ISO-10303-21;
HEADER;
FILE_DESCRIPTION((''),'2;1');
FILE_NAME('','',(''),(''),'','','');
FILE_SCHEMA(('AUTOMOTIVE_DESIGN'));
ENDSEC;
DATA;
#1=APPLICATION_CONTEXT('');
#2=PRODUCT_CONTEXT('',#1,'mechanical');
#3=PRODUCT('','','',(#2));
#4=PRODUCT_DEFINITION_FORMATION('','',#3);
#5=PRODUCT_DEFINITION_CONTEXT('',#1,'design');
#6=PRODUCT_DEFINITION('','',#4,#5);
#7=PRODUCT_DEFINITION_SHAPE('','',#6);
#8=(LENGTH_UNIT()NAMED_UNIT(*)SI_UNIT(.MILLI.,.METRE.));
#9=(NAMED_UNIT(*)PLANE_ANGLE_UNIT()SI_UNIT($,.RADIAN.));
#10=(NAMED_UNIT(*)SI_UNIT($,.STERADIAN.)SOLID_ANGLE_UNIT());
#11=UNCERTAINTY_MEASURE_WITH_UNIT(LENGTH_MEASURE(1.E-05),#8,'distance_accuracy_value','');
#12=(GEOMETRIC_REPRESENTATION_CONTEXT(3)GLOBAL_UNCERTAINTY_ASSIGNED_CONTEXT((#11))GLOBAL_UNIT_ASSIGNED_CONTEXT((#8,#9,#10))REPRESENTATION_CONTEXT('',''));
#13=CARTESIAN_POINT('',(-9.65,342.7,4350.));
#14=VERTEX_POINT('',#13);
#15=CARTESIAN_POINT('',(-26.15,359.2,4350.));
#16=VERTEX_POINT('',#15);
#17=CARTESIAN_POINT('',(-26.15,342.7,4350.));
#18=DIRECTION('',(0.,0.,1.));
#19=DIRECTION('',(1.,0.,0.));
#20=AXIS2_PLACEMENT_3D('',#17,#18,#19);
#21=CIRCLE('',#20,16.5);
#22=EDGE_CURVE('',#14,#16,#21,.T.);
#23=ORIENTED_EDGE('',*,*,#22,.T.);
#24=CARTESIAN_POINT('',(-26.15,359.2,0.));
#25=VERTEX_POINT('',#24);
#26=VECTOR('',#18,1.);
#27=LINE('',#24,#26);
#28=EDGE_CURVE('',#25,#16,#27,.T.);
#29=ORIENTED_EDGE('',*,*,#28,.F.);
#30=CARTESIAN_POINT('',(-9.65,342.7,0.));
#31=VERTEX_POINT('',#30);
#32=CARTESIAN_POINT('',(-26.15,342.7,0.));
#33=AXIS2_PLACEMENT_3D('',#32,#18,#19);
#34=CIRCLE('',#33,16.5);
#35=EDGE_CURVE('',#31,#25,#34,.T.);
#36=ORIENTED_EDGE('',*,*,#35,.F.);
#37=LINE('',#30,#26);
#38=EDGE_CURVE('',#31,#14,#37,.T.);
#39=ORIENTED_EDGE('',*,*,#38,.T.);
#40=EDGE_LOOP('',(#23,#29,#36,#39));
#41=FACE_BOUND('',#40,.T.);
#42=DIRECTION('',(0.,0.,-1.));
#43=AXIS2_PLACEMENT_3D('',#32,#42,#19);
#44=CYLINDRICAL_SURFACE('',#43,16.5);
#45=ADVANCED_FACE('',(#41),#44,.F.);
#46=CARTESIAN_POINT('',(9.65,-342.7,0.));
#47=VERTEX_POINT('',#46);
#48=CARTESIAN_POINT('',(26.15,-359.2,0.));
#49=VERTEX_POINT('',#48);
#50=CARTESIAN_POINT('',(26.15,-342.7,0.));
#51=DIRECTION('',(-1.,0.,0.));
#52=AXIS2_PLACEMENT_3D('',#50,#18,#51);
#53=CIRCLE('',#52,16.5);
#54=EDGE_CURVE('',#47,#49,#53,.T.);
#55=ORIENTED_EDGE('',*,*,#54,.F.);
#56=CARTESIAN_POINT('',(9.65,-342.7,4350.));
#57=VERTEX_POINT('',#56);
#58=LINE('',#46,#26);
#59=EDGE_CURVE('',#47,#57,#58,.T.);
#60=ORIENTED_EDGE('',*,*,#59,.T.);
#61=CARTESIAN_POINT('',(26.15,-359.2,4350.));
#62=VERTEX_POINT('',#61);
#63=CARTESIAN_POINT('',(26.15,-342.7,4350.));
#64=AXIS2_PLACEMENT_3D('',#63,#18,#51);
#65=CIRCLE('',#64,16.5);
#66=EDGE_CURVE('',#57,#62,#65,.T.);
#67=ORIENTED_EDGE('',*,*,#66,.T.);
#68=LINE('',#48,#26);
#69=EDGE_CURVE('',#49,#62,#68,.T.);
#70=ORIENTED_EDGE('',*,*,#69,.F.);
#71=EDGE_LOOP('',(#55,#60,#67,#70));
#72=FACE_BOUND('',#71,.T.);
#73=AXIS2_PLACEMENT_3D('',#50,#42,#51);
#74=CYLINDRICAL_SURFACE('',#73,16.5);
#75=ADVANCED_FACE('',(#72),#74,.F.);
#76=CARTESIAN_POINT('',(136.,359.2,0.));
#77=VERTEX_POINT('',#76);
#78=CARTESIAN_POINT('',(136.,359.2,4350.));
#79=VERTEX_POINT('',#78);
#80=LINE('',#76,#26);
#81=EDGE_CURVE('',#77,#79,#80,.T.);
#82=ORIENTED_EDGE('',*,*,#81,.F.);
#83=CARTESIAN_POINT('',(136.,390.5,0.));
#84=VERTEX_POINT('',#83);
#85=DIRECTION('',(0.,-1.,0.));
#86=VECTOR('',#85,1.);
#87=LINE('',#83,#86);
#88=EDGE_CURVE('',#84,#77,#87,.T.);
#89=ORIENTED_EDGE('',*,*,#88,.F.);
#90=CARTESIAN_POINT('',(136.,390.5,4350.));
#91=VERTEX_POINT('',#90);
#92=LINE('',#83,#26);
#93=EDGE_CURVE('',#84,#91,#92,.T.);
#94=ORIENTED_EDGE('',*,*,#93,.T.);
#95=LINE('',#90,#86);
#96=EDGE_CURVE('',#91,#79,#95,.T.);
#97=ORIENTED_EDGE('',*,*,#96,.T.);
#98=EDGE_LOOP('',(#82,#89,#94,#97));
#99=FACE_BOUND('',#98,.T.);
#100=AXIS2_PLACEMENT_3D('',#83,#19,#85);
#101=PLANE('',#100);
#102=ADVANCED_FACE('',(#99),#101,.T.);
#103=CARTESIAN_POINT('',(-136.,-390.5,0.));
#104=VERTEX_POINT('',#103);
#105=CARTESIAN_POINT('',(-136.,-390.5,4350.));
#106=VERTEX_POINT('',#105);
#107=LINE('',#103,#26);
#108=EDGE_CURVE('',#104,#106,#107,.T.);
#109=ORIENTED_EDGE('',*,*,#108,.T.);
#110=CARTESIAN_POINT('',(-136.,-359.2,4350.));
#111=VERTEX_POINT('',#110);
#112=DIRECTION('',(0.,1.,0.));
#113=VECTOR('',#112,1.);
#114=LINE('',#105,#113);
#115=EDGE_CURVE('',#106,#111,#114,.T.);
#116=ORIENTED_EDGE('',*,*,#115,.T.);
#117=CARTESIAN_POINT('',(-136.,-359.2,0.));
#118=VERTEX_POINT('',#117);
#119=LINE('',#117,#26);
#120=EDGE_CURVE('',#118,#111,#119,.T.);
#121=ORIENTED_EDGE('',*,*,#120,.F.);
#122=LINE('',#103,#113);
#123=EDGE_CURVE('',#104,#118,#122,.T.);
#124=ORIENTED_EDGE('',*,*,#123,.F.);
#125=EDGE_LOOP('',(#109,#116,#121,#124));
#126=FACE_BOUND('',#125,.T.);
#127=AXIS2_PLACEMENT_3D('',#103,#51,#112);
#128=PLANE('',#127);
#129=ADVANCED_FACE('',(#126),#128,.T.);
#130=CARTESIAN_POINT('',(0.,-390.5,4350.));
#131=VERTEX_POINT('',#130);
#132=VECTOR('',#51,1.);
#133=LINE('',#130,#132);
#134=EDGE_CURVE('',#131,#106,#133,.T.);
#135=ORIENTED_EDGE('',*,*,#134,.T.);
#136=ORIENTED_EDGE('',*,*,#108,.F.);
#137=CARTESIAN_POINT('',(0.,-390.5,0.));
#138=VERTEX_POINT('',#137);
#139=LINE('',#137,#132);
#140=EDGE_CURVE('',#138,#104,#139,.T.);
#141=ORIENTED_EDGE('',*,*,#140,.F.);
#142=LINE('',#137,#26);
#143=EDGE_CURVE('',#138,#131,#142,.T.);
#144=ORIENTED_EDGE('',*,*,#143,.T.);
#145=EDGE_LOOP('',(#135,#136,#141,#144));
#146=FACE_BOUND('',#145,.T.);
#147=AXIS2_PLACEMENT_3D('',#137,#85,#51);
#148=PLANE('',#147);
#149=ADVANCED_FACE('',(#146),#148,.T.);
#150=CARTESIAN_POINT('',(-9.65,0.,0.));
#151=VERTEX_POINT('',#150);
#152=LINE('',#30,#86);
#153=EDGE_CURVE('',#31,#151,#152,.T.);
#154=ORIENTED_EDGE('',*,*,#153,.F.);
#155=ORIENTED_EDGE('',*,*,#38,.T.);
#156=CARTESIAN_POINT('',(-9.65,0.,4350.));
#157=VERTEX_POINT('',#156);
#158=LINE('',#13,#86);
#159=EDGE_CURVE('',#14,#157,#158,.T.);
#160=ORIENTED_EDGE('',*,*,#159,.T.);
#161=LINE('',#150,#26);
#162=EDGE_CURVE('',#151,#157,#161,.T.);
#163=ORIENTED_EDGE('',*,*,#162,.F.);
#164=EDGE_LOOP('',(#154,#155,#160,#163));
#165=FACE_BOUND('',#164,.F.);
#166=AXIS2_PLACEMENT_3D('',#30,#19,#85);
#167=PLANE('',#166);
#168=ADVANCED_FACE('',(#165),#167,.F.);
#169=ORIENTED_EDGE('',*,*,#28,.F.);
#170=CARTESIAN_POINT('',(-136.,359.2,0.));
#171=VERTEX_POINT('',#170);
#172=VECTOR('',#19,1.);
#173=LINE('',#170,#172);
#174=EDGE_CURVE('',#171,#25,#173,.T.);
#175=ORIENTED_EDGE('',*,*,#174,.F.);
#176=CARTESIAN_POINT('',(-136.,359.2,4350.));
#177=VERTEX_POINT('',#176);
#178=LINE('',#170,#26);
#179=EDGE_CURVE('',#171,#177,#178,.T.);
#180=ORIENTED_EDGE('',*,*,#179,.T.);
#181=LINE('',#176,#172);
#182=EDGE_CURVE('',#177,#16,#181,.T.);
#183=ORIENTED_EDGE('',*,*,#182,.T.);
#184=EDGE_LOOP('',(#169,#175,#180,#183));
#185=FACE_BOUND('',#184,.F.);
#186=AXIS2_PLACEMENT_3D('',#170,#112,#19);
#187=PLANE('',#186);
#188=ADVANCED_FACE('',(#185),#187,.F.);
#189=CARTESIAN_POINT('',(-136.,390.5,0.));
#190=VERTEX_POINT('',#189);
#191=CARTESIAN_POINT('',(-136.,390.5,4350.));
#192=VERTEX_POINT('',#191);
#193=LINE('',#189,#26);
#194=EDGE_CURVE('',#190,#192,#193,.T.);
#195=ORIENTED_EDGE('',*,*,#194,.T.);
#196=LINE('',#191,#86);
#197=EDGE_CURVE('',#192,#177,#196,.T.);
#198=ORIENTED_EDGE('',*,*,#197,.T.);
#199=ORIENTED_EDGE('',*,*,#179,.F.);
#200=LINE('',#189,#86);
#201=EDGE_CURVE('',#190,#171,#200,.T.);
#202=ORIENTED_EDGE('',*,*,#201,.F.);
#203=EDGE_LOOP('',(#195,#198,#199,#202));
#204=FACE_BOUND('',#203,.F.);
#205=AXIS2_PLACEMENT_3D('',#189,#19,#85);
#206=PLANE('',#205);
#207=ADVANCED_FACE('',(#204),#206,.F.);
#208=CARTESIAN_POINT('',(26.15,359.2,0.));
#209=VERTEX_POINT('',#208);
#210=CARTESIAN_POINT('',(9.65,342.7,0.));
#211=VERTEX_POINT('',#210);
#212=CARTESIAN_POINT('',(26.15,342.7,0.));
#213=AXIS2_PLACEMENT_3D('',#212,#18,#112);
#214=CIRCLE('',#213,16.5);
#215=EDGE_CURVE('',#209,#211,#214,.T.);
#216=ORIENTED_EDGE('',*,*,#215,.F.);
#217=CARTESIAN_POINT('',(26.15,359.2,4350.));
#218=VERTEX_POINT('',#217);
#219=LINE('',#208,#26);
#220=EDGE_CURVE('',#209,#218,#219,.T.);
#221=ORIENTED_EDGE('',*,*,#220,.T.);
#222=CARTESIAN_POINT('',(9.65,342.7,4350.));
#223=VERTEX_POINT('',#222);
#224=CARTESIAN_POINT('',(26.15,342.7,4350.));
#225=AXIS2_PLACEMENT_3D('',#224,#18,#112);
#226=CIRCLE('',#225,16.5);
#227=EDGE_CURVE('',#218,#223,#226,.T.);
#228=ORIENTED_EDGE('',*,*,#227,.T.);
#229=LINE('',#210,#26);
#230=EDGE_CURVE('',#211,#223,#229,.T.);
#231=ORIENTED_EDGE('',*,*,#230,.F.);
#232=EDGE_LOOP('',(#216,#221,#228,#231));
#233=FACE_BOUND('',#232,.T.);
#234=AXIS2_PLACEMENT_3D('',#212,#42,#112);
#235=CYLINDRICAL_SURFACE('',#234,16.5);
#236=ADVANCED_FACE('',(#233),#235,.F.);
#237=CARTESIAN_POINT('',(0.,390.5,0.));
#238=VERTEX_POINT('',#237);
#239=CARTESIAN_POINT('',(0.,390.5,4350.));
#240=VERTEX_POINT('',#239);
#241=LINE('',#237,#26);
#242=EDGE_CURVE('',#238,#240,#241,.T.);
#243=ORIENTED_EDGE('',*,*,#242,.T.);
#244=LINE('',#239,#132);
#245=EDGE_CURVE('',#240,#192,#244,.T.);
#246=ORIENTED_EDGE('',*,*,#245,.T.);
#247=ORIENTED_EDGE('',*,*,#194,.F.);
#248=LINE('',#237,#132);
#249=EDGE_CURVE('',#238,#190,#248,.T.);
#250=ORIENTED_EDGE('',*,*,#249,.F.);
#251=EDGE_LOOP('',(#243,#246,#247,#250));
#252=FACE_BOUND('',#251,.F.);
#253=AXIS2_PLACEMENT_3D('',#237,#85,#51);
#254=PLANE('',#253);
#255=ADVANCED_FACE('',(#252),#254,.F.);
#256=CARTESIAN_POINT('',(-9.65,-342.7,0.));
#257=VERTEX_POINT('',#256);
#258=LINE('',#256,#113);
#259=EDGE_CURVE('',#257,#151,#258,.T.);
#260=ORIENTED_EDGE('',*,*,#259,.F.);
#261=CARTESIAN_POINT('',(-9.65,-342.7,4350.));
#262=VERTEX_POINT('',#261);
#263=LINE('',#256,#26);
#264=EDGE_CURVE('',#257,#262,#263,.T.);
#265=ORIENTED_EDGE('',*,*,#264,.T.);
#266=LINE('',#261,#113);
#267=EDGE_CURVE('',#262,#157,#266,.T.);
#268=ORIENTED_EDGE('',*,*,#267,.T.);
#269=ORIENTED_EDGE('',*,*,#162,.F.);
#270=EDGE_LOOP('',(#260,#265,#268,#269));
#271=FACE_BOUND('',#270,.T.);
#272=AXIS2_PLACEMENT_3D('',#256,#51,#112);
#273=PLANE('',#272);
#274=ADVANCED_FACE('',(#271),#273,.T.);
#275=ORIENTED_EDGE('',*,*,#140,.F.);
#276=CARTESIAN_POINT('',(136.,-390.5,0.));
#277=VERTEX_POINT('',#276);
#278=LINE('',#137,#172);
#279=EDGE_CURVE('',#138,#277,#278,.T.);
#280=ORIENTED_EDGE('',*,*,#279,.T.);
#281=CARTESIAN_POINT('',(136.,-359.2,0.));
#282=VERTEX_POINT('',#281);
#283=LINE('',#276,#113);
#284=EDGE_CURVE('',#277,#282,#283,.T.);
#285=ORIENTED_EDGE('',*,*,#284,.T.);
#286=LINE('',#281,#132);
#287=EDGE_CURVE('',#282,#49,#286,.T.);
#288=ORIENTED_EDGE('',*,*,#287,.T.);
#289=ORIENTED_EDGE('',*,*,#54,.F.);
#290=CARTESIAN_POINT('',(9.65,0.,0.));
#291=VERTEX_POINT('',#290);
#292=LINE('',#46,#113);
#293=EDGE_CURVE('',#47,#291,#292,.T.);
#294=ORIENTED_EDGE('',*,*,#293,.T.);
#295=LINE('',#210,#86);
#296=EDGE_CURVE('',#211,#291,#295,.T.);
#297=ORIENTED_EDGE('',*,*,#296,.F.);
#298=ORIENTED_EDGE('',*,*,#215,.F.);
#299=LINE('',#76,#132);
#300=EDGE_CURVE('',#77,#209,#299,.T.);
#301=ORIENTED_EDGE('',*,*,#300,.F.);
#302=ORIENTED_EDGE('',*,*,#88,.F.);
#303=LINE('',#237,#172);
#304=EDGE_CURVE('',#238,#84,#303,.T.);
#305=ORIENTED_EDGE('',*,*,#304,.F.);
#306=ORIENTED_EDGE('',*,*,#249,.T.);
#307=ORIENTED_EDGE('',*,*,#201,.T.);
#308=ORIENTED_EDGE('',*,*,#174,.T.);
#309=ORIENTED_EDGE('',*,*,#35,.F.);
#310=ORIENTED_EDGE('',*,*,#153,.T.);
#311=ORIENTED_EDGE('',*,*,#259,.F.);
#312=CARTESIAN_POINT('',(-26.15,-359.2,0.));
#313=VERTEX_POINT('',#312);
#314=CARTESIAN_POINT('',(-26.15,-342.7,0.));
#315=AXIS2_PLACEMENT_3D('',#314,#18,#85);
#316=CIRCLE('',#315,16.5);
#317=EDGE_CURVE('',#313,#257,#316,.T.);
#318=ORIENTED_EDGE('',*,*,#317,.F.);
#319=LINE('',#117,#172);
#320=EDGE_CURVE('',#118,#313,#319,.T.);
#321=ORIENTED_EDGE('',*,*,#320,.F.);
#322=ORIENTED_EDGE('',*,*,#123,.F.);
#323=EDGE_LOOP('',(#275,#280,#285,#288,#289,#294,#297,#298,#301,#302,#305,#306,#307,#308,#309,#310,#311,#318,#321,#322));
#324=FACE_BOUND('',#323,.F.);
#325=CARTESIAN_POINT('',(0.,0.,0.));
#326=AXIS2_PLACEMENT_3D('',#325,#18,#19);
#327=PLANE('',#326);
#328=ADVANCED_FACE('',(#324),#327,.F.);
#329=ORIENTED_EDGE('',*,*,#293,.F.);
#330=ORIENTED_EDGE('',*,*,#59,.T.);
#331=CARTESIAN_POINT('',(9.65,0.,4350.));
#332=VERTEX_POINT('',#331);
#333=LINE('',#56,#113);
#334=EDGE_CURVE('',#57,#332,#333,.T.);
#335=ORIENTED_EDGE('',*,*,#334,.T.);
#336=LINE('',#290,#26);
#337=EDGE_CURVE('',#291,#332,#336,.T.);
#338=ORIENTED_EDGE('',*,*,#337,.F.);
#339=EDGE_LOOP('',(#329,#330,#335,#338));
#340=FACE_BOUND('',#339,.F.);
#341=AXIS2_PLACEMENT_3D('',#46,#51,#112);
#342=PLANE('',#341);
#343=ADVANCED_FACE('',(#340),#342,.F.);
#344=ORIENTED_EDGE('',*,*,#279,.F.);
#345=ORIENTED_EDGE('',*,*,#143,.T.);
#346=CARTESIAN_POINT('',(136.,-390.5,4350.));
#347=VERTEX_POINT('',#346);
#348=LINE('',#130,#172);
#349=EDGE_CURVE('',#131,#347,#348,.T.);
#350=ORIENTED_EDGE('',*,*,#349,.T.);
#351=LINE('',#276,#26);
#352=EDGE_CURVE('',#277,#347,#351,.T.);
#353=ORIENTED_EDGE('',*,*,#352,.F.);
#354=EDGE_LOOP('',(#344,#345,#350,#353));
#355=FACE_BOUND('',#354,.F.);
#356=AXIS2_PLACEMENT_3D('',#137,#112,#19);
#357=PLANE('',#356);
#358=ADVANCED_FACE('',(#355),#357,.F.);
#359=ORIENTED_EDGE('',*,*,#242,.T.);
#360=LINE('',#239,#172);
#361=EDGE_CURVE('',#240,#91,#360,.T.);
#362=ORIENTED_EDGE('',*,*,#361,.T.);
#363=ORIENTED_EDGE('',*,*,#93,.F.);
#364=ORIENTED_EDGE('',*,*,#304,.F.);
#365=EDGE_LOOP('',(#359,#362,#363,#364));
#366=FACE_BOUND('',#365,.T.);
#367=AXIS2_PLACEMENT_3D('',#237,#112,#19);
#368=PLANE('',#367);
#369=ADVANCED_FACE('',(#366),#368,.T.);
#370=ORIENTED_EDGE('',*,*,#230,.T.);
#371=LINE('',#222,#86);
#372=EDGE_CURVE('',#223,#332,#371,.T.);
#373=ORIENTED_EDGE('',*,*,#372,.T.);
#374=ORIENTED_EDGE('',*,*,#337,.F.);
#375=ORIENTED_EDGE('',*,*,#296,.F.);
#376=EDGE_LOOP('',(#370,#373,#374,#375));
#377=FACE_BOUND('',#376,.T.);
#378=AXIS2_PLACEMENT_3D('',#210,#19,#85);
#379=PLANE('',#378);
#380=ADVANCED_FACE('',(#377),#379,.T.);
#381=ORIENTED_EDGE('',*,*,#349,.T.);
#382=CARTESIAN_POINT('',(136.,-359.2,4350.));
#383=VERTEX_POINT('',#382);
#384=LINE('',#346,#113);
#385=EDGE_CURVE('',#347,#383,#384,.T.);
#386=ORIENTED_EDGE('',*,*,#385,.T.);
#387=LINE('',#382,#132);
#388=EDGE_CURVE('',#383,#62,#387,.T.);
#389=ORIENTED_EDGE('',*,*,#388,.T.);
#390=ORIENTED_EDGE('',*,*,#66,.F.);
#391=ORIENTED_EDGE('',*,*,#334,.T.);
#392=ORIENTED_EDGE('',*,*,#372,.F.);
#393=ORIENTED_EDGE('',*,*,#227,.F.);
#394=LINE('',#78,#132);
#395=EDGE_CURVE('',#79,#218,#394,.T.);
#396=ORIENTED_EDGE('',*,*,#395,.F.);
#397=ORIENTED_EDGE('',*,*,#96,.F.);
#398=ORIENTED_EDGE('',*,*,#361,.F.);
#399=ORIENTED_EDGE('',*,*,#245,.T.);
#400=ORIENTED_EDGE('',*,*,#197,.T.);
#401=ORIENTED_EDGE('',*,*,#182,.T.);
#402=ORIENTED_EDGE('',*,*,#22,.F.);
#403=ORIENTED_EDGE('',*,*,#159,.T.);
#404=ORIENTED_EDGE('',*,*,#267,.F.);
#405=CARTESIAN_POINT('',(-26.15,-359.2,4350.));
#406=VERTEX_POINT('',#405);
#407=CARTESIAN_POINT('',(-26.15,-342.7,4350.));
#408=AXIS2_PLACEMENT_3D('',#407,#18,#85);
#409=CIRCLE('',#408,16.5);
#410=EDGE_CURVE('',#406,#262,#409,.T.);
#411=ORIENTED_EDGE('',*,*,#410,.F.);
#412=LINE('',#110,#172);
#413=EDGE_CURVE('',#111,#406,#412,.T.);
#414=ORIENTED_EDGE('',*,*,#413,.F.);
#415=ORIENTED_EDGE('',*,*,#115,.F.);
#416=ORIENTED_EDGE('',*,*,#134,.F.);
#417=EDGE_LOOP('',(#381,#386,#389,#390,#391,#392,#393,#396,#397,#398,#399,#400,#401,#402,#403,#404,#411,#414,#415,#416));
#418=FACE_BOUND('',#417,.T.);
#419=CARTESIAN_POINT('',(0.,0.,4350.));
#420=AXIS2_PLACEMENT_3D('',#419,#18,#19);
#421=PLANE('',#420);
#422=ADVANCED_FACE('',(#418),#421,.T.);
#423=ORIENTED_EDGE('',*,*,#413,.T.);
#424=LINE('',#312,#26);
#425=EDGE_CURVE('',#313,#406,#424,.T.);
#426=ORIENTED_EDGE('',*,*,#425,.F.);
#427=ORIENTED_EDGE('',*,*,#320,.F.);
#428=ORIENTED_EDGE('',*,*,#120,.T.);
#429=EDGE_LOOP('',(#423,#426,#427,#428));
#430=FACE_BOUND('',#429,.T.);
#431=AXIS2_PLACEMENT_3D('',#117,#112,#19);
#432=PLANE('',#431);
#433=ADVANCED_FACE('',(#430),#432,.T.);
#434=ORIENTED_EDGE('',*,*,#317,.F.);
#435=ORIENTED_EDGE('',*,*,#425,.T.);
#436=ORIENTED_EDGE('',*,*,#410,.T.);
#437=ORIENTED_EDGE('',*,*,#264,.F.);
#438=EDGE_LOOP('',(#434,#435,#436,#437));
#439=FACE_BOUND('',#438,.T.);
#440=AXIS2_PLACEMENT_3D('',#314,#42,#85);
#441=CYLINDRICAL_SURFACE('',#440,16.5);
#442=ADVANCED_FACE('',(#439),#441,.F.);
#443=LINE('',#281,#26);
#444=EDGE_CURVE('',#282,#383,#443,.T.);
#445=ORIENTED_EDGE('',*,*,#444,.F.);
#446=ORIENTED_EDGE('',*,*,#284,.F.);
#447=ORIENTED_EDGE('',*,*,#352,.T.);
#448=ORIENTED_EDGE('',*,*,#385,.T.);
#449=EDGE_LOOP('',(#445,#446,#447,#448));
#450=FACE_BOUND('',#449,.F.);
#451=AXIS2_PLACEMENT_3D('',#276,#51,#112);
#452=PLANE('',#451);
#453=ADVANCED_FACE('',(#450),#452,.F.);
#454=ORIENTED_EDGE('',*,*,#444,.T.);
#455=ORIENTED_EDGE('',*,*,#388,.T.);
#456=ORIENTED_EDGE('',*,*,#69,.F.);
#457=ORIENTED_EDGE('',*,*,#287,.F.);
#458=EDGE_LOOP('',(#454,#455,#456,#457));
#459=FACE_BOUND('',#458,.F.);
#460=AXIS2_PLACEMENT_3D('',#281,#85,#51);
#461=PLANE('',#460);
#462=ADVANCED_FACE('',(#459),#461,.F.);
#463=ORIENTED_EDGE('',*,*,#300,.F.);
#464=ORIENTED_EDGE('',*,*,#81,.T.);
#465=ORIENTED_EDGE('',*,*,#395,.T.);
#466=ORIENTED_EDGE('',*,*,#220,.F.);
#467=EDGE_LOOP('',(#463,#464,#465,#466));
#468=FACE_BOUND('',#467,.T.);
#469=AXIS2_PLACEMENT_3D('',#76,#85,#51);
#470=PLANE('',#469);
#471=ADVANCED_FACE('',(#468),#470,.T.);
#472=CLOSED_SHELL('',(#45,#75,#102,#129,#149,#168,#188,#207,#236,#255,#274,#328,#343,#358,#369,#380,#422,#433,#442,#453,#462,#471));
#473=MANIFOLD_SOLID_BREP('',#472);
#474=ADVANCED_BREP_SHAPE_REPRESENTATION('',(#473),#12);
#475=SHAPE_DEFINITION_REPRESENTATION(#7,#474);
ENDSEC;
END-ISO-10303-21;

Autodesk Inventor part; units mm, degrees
ref_plane "YZ Plane" through (0, 0, 0) normal (1, 0, 0) x (0, 1, 0)
ref_plane "Start plane" through (0, 0, 0) normal (0, 0, 1) x (1, 0, 0)
ref_plane "End plane" through (0, 0, 4350) normal (0, 0, 1) x (1, 0, 0)
sketch "Sketch" plane through (0, 0, 0) normal (0, 0, 1) x (1, 0, 0)
  line L0 (-136, -390.5) -> (-136, -359.2)
  line L1 (-136, -359.2) -> (-26.15, -359.2)
  line L2 (-9.65, -342.7) -> (-9.65, 0)
  line L3 (-9.65, 0) -> (0, 0) construction
  line L4 (0, 0) -> (0, -390.5) construction
  line L5 (0, -390.5) -> (-136, -390.5)
  line L6 (-60, 0) -> (80, 0) construction
  line L7 (0, -60) -> (0, 80) construction
  line L8 (136, -390.5) -> (136, -359.2)
  line L9 (136, -359.2) -> (26.15, -359.2)
  line L10 (9.65, -342.7) -> (9.65, 0)
  line L11 (9.65, 0) -> (0, 0) construction
  line L12 (0, -390.5) -> (136, -390.5)
  line L13 (-136, 390.5) -> (-136, 359.2)
  line L14 (-136, 359.2) -> (-26.15, 359.2)
  line L15 (-9.65, 342.7) -> (-9.65, 0)
  line L16 (0, 390.5) -> (-136, 390.5)
  line L17 (136, 390.5) -> (136, 359.2)
  line L18 (136, 359.2) -> (26.15, 359.2)
  line L19 (0, 390.5) -> (136, 390.5)
  line L20 (9.65, 342.7) -> (9.65, 0)
  arc A0 (-9.65, 342.7) -> (-26.15, 359.2) centre (-26.15, 342.7) ccw
  arc A1 (26.15, 359.2) -> (9.65, 342.7) centre (26.15, 342.7) ccw
  arc A2 (9.65, -342.7) -> (26.15, -359.2) centre (26.15, -342.7) ccw
  arc A3 (-26.15, -359.2) -> (-9.65, -342.7) centre (-26.15, -342.7) ccw
  line L21 (0, 108) -> (0, -88) construction
  line L22 (-88, 0) -> (108, 0) construction
  point P0 (-9.65, -359.2)
  point P1 (9.65, -359.2)
  point P2 (-9.65, 359.2)
  point P3 (9.65, 359.2)
  dimension "d1" = 390.5
  dimension "d2" = 31.3
  dimension "d3" = 136
  dimension "d4" = 9.65
  dimension "d10" = 16.5
extrude "Body" add sketch "Sketch" along normal up to surface (4350 mm away) from surface at 0
sketch "Sketch4" plane through (0, 0, 0) normal (0, 0, 1) x (1, 0, 0)
  line L0 (0, 0) -> (10, 0)
ref_plane "Work Plane3" through (0, 0, 0) normal (0, -1, 0) x (1, 0, 0)
sketch "Sketch5" plane through (0, 0, 0) normal (0, -1, 0) x (1, 0, 0)
  line L0 (-2, 0) -> (12, 0) projected
  line L1 (-2, 4350) -> (12, 4350) projected
  dimension "d14" = 4350
equation "\"d1\" = 0.5 * G_H"
equation "\"d2\" = G_T1"
equation "\"d3\" = 0.5 * G_W"
equation "\"d4\" = 0.5 * G_T"
equation "\"d10\" = G_IR"
equation "\"d5\" = G_L"
equation "\"G_W\" = 272"
equation "\"G_H\" = 781"
equation "\"G_T\" = 19.3"
equation "\"G_T1\" = 31.3"
equation "\"G_IR\" = 16.5"
equation "\"G_L\" = d14"
equation "\"G_OFFSET_START\" = 0"
equation "\"G_OFFSET_END\" = 0"
properties part number "AS 3679-1990 - 760 UB - 244 - 4350" material "Steel, Mild"
